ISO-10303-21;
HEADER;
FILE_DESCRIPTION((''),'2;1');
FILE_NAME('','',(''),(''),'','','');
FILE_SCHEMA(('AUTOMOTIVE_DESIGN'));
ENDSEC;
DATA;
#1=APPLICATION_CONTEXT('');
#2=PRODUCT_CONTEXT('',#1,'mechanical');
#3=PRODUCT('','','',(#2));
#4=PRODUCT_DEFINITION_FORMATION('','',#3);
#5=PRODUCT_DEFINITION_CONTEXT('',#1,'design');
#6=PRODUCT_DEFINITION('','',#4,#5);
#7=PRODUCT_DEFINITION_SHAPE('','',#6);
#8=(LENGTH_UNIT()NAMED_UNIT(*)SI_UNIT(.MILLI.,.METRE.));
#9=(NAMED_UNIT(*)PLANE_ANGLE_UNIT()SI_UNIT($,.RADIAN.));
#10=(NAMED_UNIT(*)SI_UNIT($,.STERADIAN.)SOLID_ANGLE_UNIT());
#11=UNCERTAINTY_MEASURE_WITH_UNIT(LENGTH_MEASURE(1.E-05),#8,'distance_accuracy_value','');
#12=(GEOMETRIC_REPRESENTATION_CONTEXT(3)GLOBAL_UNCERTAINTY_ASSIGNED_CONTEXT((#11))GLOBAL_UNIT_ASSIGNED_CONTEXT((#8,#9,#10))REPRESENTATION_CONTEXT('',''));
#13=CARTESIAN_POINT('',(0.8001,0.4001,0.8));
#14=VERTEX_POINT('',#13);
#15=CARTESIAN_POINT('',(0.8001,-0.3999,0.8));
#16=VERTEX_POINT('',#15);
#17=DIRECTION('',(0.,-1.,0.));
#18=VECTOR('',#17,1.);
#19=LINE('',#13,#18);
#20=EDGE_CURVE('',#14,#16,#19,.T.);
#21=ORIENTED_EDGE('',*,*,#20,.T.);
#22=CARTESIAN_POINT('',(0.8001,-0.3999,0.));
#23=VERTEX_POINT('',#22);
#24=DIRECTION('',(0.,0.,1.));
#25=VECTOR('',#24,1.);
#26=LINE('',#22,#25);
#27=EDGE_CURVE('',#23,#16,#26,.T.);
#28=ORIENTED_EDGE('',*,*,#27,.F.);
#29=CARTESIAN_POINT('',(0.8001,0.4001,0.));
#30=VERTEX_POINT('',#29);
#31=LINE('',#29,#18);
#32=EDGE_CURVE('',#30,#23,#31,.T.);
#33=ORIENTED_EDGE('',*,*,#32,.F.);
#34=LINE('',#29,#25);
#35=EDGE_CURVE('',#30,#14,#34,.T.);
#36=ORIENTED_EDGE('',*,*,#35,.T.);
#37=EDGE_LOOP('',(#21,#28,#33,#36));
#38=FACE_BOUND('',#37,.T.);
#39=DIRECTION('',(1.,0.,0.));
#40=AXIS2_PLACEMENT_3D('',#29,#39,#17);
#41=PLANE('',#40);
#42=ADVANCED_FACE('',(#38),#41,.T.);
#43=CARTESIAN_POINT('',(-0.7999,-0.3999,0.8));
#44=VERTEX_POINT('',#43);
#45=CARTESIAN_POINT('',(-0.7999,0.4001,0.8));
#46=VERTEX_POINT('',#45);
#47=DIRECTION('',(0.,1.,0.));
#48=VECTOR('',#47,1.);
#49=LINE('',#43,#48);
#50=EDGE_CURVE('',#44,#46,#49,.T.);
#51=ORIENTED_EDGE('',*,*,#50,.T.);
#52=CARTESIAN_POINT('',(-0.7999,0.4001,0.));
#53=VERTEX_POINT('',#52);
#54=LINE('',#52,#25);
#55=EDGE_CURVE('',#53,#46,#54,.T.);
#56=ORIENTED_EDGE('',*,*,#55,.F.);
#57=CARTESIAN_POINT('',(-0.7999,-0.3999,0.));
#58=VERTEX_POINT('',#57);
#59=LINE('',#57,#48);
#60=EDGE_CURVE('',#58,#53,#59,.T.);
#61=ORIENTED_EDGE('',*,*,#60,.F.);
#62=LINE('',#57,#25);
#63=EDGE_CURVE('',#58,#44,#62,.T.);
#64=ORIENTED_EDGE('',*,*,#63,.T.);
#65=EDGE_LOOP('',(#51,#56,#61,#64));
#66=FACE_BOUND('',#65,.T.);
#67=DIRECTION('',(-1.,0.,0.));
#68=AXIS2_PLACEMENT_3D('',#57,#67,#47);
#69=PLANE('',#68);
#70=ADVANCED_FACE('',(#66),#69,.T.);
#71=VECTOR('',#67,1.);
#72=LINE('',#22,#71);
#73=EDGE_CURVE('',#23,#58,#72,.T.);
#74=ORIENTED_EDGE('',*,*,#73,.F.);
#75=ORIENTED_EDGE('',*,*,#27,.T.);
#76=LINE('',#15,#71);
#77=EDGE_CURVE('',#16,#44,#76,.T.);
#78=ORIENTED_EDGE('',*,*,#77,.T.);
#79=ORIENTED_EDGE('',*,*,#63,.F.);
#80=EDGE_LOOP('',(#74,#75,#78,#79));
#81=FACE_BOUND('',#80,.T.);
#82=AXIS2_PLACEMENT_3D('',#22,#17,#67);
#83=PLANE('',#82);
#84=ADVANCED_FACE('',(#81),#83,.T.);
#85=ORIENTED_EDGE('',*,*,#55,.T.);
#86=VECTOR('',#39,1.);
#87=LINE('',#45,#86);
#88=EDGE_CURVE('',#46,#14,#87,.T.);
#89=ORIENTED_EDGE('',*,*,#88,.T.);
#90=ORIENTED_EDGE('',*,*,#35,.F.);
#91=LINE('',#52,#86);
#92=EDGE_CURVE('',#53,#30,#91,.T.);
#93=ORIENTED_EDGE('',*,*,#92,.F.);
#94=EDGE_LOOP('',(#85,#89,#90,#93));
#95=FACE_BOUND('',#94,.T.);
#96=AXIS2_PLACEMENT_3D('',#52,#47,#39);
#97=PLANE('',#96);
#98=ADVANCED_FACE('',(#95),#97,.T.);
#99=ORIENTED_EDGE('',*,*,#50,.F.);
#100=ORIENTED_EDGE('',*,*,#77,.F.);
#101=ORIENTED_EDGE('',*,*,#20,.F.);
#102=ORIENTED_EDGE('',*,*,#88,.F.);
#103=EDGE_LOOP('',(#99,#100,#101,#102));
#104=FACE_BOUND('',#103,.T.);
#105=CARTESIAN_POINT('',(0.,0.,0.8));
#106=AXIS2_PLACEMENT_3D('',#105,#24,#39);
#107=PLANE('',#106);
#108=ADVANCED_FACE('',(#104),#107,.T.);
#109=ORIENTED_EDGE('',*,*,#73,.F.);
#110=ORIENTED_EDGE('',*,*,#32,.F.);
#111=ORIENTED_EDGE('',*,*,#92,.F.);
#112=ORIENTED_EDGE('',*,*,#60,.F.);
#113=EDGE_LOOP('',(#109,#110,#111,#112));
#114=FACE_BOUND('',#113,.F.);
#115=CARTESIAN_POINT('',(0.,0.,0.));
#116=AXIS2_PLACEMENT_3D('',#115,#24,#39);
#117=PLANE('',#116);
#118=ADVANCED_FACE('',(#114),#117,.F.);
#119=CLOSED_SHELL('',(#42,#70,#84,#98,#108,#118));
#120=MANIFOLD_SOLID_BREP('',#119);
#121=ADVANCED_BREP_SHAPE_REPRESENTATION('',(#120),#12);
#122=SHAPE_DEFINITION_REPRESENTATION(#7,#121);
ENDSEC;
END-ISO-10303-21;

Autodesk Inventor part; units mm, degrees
ref_plane "YZ Plane" through (0, 0, 0) normal (1, 0, 0) x (0, 1, 0)
ref_plane "XZ Plane" through (0, 0, 0) normal (0, 1, 0) x (-1, 0, 0)
ref_plane "XY Plane" through (0, 0, 0) normal (0, 0, 1) x (1, 0, 0)
sketch "R0603, 1K_143" plane through (0, 0, 0) normal (0, 0, 1) x (1, 0, 0)
  line L0 (-0.7999, -0.3999) -> (-0.7999, 0.4001)
  line L1 (-0.7999, 0.4001) -> (0.8001, 0.4001)
  line L2 (0.8001, 0.4001) -> (0.8001, -0.3999)
  line L3 (0.8001, -0.3999) -> (-0.7999, -0.3999)
extrude "Extrusion1" add sketch "R0603, 1K_143" along normal blind 0.8
properties part number "1K"
